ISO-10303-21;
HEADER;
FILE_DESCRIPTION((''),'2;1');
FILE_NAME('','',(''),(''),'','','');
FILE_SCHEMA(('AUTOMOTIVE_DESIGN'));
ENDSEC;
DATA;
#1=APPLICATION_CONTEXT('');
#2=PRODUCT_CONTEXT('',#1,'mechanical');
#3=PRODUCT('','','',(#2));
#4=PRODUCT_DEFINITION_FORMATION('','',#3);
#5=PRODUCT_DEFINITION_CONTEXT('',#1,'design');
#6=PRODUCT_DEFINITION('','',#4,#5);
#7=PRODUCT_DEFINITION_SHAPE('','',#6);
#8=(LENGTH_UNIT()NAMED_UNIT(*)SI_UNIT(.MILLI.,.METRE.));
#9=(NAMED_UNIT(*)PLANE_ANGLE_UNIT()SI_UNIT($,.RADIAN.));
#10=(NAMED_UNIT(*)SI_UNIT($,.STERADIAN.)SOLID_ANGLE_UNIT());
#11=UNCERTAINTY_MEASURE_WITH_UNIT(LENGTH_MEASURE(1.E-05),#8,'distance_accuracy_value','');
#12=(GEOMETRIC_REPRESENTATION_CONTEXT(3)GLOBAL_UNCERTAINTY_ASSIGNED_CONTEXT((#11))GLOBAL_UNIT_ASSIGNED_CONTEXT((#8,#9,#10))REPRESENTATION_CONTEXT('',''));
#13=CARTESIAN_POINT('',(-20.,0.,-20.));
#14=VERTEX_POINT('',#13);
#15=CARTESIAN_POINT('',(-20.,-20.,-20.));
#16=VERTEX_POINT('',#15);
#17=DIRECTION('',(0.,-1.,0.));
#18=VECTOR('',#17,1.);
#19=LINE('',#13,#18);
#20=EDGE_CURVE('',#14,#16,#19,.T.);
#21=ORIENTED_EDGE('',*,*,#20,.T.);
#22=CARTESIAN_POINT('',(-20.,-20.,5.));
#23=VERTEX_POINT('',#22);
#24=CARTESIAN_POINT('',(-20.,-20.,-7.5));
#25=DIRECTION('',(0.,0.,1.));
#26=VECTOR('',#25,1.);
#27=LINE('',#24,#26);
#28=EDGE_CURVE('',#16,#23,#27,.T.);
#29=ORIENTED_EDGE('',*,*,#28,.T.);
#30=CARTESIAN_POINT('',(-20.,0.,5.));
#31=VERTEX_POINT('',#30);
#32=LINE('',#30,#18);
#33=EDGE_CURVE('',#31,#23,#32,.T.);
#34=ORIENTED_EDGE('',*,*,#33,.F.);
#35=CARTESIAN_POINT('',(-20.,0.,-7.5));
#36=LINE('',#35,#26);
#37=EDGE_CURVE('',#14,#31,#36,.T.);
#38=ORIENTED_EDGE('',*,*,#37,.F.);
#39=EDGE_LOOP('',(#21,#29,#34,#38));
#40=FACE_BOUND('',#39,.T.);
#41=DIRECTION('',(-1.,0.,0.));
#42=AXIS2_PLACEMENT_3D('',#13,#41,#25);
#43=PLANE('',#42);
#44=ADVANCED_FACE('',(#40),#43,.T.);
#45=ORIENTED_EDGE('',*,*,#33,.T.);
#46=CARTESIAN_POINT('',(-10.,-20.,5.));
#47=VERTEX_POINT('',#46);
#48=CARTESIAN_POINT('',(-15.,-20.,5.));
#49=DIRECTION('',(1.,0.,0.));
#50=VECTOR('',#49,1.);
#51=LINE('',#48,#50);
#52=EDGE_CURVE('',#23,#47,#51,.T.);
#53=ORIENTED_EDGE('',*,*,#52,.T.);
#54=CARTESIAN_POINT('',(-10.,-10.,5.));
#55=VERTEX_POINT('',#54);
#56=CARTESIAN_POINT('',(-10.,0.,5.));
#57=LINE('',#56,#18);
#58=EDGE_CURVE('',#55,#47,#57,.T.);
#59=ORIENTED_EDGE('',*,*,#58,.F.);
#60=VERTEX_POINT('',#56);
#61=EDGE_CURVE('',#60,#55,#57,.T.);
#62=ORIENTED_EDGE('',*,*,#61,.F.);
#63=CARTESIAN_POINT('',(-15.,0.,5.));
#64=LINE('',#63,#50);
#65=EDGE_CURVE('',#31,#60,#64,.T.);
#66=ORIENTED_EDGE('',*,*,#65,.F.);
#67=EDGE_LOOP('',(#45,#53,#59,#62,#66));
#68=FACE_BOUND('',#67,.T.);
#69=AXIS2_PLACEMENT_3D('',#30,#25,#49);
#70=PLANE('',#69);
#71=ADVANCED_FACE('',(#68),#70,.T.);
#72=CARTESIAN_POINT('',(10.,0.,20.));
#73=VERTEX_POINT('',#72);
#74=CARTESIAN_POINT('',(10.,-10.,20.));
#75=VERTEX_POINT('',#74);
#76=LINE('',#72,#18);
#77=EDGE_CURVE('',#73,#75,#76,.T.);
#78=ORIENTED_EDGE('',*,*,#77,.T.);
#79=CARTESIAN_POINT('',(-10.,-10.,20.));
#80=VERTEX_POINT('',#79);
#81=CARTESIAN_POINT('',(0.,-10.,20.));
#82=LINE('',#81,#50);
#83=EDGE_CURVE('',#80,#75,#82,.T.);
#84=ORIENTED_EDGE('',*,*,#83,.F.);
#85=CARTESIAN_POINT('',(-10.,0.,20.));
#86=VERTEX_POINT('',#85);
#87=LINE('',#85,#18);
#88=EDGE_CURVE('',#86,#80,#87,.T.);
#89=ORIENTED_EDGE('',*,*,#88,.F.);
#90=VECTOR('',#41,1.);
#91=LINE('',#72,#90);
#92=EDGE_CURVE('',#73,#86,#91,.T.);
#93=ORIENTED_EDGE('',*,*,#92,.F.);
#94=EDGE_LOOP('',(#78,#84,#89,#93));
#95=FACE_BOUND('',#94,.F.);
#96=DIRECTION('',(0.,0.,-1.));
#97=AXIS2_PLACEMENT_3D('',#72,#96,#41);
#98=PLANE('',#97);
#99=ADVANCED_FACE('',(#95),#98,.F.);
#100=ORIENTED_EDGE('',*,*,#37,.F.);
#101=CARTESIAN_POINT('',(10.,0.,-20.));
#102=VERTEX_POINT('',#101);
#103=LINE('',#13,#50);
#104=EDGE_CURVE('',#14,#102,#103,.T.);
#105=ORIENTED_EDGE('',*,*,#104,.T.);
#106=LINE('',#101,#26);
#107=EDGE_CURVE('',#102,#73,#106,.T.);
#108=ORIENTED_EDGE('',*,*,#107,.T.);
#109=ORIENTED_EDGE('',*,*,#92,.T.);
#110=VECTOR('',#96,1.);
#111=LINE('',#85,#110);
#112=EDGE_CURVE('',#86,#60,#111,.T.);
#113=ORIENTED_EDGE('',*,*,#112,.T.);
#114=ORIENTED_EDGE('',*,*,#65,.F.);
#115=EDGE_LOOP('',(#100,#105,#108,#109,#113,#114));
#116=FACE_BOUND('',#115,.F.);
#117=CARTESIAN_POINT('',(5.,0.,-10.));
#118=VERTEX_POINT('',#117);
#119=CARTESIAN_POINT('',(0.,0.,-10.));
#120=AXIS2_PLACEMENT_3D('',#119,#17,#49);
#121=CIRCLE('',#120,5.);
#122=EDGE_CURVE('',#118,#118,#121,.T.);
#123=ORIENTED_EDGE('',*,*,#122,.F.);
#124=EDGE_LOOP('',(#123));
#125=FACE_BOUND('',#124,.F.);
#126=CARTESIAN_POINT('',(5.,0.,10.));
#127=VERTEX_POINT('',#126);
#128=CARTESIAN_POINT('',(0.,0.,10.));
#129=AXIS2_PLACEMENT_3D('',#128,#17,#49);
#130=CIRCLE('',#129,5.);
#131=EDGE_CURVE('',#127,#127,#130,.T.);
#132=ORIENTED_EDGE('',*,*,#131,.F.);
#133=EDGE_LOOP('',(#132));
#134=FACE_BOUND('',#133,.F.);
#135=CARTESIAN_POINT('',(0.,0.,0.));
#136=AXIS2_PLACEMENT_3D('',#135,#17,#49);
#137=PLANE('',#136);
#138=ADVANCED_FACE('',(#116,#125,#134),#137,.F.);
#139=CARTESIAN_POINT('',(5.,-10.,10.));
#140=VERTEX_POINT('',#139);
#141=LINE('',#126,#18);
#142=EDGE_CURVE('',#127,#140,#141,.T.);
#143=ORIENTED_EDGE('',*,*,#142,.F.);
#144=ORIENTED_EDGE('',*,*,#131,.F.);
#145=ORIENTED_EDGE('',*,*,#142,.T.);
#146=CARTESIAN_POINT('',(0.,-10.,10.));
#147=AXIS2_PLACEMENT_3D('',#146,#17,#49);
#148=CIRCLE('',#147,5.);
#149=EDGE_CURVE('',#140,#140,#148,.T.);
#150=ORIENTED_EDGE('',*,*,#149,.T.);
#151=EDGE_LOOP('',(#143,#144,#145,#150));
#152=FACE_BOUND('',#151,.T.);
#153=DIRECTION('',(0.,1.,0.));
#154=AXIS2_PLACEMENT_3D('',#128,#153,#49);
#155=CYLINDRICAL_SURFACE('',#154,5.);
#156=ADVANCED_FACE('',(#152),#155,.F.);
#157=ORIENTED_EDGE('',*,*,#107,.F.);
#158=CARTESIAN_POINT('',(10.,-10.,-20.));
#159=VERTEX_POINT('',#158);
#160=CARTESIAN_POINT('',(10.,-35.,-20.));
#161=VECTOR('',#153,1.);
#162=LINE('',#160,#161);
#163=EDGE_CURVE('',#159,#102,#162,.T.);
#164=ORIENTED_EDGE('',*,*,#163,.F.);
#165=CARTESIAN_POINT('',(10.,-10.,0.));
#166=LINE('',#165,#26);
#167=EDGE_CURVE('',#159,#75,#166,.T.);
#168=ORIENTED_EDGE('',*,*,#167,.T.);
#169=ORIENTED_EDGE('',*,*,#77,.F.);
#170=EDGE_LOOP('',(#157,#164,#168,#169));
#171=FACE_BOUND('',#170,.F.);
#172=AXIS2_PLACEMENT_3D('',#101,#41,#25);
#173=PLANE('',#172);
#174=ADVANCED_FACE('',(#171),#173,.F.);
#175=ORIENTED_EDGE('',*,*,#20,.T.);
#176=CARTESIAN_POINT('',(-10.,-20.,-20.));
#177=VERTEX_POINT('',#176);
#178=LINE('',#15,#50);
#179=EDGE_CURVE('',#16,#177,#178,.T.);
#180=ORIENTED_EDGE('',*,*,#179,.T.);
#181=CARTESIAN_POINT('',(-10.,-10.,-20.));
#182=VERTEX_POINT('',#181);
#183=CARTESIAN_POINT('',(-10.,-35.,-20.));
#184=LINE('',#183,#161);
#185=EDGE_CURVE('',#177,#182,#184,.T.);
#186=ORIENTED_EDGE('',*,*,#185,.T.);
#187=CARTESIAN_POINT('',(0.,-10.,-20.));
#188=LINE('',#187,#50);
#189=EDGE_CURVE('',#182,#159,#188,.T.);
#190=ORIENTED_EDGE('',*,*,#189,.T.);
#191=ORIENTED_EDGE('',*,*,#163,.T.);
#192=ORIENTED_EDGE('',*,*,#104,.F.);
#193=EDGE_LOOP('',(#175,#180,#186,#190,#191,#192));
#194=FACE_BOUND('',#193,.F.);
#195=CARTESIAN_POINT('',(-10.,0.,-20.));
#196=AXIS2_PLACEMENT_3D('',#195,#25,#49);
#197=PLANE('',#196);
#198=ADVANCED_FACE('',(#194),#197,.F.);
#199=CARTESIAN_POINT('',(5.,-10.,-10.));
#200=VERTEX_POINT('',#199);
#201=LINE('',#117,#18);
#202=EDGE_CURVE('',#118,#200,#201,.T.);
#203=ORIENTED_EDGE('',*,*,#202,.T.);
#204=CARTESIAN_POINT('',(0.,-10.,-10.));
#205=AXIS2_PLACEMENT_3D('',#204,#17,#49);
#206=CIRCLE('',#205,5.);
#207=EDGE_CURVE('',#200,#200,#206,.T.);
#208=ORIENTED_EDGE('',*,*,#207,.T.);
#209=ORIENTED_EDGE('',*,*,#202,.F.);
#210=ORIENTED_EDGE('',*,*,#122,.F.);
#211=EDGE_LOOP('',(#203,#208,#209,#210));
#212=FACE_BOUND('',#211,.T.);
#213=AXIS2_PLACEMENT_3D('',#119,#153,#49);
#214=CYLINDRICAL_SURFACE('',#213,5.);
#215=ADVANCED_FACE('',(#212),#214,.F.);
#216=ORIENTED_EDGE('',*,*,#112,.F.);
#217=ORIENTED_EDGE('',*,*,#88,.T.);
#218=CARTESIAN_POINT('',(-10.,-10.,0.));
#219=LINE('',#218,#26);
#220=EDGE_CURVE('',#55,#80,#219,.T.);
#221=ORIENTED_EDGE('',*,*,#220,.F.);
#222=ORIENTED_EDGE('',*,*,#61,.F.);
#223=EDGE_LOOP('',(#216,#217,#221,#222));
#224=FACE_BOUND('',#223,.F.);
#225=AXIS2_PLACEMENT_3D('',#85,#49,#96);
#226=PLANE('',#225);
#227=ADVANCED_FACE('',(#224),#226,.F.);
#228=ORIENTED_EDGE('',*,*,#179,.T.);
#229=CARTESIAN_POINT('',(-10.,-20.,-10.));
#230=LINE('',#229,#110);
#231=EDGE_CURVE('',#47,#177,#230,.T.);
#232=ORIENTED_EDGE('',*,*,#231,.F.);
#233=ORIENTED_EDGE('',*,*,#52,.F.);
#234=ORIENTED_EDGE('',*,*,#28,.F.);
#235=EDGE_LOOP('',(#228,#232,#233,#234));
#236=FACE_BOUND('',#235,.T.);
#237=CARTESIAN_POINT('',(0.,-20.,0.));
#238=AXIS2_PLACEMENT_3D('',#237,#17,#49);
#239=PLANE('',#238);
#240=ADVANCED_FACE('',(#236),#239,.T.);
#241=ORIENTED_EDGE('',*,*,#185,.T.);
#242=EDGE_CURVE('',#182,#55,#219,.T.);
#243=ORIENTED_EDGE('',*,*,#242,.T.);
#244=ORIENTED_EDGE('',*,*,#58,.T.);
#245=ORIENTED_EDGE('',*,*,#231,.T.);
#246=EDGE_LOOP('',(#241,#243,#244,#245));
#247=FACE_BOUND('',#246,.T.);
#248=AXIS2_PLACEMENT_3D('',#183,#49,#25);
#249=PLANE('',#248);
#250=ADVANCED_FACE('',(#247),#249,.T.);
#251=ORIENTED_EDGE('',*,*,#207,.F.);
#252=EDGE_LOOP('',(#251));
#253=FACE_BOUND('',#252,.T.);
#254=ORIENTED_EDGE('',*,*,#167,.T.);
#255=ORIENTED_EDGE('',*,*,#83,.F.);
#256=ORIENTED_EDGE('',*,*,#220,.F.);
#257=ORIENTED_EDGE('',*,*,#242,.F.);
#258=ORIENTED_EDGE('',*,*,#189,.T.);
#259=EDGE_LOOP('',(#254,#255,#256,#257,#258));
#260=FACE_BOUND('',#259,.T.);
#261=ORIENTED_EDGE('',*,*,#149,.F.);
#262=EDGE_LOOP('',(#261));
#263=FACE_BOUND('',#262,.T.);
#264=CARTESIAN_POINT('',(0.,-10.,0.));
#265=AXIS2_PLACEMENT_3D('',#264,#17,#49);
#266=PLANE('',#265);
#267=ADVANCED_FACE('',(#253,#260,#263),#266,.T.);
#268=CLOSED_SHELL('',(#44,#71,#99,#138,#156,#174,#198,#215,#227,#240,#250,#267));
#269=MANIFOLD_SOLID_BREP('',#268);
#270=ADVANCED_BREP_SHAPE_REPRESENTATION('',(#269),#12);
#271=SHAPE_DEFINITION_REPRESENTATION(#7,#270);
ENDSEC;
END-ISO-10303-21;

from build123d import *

# Parameters (mm, degrees)
F0_R      = 5
F1_DEPTH  = 15
F0_W      = 10
F0_H      = 25
F1_FACE_W = 20
F1_FACE_H = 40
F1_FACE_R = 5
F2_DEPTH  = 20
F3_DEPTH  = 25


with BuildPart() as f1:
    # F0 (on Front) → F1 (new body)
    with BuildSketch(Plane.XZ):
        Polygon((10, -20), (10, 20), (-10, 20), (-10, 5), (-10, -20), align=None)
        with Locations((0, -10)):
            Circle(F0_R, mode=Mode.SUBTRACT)
        with Locations((0, 10)):
            Circle(F0_R, mode=Mode.SUBTRACT)
    extrude(amount=F1_DEPTH)

    # F0 (on Front) + F1_face (on face) → F2 (join)
    with BuildSketch(Plane.XZ):
        Polygon((10, -20), (10, 20), (-10, 20), (-10, 5), (-10, -20), align=None)
        with Locations((0, -10)):
            Circle(F0_R, mode=Mode.SUBTRACT)
        with Locations((0, 10)):
            Circle(F0_R, mode=Mode.SUBTRACT)
        with Locations((-15, -7.5)):
            Rectangle(F0_W, F0_H)
    with BuildSketch(Plane.XZ.offset(15)):
        Rectangle(F1_FACE_W, F1_FACE_H)
        with Locations((0, -10)):
            Circle(F1_FACE_R, mode=Mode.SUBTRACT)
        with Locations((0, 10)):
            Circle(F1_FACE_R, mode=Mode.SUBTRACT)
    extrude(amount=F2_DEPTH)

    # F3 (cut): a face of the model
    f3_faces = [f1.faces().sort_by_distance(p)[0] for p in [
        (0, -35, 0),
    ]]
    extrude(f3_faces, amount=-F3_DEPTH, mode=Mode.SUBTRACT)


solid = f1.part
